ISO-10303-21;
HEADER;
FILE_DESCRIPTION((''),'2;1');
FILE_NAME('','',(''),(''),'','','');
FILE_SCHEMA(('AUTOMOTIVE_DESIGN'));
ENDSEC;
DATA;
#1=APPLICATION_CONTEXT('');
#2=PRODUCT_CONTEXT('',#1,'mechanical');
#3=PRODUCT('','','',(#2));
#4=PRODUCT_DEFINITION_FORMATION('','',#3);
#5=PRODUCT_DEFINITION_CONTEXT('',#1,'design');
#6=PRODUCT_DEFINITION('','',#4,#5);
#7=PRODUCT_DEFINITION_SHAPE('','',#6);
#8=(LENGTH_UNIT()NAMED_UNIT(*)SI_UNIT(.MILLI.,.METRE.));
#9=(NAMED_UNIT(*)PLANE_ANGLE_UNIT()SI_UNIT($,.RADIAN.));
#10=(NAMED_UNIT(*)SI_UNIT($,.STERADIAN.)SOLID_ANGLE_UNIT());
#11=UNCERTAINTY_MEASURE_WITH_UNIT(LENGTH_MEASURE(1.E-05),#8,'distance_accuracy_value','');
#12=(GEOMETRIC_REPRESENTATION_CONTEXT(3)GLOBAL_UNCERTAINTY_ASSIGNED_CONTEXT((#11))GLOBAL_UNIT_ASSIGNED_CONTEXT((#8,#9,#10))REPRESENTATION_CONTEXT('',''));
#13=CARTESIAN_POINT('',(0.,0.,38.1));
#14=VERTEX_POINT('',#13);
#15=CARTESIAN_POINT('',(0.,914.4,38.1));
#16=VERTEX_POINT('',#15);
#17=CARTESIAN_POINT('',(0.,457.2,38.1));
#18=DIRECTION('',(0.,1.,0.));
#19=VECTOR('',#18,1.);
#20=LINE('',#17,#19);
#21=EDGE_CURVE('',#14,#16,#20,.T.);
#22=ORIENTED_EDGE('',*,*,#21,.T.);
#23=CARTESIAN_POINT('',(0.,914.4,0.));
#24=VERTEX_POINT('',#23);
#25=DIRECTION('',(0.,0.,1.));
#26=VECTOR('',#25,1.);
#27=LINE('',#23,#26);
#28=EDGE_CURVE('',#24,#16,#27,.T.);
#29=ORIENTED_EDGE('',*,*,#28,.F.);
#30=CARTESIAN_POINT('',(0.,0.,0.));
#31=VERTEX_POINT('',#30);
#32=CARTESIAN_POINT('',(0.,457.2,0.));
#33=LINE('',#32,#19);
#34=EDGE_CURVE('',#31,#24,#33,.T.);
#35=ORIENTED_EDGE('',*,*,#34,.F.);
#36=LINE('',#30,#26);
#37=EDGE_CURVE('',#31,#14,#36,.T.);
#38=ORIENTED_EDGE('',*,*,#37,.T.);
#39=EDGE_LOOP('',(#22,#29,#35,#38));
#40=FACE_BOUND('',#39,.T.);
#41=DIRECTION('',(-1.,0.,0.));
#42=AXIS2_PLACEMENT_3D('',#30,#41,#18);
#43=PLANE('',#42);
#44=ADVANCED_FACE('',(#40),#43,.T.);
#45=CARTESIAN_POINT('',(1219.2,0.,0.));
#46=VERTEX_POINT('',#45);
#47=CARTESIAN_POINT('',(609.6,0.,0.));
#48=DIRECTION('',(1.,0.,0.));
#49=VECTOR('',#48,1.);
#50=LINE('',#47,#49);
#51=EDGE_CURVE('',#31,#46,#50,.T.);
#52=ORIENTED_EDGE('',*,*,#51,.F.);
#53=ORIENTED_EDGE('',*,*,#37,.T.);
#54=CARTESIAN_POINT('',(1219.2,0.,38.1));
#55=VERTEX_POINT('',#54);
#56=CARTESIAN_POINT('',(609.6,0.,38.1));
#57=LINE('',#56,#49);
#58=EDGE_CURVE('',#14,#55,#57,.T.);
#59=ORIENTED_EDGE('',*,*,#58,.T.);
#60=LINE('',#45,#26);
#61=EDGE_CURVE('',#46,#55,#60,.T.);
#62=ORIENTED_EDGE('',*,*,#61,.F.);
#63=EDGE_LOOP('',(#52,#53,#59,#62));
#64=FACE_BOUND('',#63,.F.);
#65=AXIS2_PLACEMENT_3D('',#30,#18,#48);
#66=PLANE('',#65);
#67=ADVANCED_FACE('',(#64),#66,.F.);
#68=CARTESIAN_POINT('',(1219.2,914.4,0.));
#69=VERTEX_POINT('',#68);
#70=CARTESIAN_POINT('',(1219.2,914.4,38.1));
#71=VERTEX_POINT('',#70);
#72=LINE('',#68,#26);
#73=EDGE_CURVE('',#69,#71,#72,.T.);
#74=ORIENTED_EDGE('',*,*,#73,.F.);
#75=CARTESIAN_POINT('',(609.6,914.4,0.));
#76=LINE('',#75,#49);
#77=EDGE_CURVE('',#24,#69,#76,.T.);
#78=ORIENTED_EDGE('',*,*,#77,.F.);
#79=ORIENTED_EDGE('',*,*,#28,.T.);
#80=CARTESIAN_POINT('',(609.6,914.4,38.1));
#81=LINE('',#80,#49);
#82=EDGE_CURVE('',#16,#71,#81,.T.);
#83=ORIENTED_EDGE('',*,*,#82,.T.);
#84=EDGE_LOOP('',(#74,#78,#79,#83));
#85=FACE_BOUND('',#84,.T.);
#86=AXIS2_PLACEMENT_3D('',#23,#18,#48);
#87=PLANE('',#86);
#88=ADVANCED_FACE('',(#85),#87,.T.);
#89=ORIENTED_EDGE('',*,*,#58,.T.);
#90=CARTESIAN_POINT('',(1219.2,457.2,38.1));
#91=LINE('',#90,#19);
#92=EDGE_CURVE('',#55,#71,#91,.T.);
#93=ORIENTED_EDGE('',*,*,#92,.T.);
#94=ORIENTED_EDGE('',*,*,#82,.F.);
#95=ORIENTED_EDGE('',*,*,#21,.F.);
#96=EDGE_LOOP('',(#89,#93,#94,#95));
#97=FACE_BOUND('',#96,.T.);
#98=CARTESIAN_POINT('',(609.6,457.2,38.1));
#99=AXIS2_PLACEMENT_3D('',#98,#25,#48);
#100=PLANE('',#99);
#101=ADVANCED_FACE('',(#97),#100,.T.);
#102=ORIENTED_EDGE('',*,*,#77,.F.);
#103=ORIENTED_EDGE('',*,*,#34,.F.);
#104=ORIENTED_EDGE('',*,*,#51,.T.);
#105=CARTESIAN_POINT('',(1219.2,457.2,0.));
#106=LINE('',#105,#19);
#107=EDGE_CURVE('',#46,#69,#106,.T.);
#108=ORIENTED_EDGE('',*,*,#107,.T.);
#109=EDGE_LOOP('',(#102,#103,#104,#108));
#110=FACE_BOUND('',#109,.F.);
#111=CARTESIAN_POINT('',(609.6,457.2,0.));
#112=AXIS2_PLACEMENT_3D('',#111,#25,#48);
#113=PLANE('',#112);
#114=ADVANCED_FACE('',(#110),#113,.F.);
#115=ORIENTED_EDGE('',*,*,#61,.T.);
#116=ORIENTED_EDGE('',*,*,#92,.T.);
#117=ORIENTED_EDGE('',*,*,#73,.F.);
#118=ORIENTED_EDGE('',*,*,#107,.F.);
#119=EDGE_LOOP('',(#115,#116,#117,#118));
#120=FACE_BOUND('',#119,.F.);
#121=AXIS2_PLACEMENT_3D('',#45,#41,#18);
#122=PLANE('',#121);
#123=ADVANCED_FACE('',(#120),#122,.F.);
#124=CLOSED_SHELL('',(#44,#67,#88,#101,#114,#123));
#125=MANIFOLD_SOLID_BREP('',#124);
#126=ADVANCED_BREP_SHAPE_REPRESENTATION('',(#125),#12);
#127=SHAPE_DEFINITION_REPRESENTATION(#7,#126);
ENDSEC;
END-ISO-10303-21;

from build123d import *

# Parameters (mm, degrees)
F0_W     = 1828.8
F0_H     = 88.9
F1_DEPTH = 38.1
F3_W     = 1219.2
F3_H     = 914.4
F4_DEPTH = 38.1


with BuildPart() as f1:
    # F0 (on Top) → F1 (new body)
    with BuildSketch(Plane.XY):
        with Locations((914.4, -44.45)):
            Rectangle(F0_W, F0_H)
    extrude(amount=F1_DEPTH)


with BuildPart() as f4:
    # F3 (on Top) → F4 (new body)
    with BuildSketch(Plane.XY):
        with Locations((609.6, 457.2)):
            Rectangle(F3_W, F3_H)
    extrude(amount=F4_DEPTH)


solid = f4.part
